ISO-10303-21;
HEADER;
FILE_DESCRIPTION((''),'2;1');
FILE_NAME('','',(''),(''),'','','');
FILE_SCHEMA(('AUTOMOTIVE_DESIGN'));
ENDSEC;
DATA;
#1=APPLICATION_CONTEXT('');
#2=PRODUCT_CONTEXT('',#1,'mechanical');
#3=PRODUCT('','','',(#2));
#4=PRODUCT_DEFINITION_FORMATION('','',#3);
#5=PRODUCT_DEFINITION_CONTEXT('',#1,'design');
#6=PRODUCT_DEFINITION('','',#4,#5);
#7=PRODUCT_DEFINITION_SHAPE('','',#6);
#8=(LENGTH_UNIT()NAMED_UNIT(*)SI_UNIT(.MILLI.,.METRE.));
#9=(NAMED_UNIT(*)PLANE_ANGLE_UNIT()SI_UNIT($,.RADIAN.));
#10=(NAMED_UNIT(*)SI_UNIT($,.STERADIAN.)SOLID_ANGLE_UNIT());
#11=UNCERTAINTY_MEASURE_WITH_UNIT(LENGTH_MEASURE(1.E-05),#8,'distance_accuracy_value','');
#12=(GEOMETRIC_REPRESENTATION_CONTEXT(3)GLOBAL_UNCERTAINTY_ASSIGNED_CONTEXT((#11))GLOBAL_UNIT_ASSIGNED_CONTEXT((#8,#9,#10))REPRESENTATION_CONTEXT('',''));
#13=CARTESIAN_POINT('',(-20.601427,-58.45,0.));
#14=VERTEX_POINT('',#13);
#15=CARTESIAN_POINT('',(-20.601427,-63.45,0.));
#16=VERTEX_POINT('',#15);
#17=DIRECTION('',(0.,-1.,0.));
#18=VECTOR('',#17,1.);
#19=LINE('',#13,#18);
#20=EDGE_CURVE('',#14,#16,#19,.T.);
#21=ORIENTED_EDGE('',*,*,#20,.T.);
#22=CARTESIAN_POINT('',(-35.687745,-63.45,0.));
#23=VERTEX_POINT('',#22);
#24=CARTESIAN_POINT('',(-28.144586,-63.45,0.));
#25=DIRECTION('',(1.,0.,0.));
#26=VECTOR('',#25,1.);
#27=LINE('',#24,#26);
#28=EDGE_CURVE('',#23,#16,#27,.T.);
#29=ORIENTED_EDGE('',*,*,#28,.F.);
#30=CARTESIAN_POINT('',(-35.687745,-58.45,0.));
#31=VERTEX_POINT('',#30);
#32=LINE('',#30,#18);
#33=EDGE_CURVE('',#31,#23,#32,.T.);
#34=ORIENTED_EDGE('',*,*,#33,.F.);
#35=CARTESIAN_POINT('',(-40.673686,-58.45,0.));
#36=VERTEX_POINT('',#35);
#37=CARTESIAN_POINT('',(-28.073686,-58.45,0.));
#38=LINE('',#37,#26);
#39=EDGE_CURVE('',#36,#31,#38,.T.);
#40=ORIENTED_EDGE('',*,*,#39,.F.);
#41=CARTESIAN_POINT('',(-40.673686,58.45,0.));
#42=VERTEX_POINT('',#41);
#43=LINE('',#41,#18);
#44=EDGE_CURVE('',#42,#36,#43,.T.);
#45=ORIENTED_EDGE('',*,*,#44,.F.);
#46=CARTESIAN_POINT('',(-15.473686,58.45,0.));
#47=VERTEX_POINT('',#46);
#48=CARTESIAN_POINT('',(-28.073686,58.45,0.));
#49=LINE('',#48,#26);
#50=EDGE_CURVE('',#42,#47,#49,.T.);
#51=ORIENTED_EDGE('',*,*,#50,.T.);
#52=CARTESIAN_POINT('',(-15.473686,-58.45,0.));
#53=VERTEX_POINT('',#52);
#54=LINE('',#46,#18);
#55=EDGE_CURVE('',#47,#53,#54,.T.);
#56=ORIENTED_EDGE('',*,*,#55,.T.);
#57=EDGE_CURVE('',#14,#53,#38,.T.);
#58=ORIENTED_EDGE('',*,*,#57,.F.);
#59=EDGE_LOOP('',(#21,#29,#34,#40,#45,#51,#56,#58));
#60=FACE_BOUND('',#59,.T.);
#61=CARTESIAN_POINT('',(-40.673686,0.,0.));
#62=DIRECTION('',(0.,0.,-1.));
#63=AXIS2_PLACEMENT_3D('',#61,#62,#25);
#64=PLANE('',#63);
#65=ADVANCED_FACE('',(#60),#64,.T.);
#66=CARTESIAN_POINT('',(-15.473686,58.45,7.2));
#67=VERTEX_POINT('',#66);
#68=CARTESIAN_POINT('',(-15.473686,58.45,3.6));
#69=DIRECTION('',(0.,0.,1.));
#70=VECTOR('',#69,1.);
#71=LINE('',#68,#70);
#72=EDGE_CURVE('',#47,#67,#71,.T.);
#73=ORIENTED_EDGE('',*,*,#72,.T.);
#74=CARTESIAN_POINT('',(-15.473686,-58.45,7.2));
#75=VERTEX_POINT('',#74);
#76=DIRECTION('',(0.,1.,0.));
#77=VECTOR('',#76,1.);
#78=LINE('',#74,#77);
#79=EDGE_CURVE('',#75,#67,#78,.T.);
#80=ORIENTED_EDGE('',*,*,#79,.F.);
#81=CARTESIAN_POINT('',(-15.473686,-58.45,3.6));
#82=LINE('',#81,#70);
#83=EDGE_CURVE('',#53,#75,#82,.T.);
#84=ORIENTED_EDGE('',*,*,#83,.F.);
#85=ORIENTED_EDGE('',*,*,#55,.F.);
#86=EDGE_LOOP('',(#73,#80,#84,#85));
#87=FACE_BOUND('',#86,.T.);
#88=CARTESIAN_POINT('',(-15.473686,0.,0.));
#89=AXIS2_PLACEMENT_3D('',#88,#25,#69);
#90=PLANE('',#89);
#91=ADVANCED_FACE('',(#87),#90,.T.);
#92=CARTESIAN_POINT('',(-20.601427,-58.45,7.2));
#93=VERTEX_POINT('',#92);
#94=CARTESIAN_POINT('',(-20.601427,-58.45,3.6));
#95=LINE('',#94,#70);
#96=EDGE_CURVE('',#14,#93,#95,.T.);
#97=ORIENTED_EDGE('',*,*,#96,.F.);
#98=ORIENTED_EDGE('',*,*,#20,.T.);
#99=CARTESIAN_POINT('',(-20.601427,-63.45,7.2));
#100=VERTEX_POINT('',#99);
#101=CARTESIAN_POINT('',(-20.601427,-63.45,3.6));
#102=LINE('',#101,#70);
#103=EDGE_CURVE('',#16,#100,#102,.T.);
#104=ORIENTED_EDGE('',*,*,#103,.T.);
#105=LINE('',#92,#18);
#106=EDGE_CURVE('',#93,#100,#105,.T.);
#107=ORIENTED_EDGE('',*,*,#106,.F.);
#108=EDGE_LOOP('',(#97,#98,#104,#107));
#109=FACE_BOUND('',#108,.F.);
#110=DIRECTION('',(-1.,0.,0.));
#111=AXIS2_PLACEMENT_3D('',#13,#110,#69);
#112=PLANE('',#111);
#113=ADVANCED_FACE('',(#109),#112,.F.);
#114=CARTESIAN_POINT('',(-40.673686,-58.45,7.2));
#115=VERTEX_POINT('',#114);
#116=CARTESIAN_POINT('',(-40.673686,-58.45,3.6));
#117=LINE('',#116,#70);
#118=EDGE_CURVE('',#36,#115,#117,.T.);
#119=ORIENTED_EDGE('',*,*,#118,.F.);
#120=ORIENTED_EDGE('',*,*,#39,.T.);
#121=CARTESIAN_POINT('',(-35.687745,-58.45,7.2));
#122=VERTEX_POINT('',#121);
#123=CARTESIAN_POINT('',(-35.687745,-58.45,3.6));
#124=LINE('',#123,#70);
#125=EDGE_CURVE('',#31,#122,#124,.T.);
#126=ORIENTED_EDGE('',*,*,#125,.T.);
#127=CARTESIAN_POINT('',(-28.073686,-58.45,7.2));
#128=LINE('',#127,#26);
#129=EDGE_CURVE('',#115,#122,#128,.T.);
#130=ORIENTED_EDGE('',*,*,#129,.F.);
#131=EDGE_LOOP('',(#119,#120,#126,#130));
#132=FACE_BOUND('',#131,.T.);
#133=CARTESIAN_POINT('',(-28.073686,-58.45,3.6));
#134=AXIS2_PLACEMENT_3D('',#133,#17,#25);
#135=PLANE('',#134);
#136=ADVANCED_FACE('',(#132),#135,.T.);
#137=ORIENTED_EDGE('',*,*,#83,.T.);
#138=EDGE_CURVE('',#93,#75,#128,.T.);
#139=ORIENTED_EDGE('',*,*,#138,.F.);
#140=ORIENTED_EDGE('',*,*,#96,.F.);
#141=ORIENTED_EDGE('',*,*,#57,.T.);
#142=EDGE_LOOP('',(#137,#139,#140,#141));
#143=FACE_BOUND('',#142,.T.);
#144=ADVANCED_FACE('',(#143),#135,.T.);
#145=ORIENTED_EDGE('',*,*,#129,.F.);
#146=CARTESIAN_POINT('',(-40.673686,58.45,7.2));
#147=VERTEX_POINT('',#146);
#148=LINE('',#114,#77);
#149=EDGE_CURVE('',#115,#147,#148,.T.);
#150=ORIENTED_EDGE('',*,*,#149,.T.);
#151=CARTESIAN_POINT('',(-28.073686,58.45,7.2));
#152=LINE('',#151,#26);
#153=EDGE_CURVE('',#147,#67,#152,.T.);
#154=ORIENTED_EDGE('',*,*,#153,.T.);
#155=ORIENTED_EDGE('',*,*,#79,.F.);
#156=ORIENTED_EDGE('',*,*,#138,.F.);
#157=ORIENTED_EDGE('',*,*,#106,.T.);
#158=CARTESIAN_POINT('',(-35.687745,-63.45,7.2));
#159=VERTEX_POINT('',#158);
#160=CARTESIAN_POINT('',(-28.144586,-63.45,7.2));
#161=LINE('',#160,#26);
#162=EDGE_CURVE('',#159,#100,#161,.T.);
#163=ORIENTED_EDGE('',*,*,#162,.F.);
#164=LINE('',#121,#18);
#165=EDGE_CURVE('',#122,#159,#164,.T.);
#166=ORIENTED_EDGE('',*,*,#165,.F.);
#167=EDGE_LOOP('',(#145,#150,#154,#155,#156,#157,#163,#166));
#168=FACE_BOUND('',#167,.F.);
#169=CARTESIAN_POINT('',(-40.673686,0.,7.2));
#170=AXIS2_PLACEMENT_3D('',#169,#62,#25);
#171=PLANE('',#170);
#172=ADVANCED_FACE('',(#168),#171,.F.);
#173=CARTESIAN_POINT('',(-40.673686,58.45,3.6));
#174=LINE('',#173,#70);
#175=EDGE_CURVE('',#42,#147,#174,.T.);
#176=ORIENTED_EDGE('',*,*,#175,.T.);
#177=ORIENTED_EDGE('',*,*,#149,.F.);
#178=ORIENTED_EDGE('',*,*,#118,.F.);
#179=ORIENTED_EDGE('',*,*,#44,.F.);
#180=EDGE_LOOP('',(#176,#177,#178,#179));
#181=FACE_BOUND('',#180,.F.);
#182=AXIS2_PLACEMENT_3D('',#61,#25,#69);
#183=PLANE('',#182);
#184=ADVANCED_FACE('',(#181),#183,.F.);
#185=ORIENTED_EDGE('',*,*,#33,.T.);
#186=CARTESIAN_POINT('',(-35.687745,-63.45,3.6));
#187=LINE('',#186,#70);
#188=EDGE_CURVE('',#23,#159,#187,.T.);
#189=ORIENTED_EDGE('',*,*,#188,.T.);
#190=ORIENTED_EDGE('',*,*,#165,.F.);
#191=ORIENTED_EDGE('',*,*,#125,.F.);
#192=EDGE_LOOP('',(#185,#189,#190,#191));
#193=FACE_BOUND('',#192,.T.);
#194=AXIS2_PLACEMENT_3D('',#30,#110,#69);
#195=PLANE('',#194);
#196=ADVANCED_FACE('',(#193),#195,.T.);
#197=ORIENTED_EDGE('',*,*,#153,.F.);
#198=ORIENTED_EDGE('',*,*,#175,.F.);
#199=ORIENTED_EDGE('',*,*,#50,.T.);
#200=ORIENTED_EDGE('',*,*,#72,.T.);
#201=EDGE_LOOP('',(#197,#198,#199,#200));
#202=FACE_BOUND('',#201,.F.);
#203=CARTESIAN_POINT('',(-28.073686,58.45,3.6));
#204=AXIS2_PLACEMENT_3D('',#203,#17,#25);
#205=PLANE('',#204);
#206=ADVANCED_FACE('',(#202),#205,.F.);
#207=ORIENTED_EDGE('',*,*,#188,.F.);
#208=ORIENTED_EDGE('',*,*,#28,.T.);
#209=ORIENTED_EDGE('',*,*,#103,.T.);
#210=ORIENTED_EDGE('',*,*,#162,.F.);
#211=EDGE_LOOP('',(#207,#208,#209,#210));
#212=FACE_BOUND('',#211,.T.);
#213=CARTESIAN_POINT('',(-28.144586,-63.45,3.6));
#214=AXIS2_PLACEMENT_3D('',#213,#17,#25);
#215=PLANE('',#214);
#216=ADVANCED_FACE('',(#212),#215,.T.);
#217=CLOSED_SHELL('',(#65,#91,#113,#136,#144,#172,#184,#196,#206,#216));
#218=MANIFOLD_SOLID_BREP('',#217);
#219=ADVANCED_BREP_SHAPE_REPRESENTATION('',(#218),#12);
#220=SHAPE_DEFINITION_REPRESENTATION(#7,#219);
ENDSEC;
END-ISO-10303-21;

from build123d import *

# Parameters (mm, degrees)
F0_W     = 25.2
F0_H     = 7.2
F1_DEPTH = 58.45
F2_W     = 15.086318
F2_H     = 7.2
F3_DEPTH = 5


with BuildPart() as f1:
    # F0 (on Front) → F1 (new body, symmetric)
    with BuildSketch(Plane.XZ):
        with Locations((-28.073686, 3.6)):
            Rectangle(F0_W, F0_H)
    extrude(amount=F1_DEPTH, both=True)

    # F2 (on face) → F3 (join)
    with BuildSketch(Plane.XZ.offset(58.45)):
        with Locations((-28.144586, 3.6)):
            Rectangle(F2_W, F2_H)
    extrude(amount=F3_DEPTH)


solid = f1.part
